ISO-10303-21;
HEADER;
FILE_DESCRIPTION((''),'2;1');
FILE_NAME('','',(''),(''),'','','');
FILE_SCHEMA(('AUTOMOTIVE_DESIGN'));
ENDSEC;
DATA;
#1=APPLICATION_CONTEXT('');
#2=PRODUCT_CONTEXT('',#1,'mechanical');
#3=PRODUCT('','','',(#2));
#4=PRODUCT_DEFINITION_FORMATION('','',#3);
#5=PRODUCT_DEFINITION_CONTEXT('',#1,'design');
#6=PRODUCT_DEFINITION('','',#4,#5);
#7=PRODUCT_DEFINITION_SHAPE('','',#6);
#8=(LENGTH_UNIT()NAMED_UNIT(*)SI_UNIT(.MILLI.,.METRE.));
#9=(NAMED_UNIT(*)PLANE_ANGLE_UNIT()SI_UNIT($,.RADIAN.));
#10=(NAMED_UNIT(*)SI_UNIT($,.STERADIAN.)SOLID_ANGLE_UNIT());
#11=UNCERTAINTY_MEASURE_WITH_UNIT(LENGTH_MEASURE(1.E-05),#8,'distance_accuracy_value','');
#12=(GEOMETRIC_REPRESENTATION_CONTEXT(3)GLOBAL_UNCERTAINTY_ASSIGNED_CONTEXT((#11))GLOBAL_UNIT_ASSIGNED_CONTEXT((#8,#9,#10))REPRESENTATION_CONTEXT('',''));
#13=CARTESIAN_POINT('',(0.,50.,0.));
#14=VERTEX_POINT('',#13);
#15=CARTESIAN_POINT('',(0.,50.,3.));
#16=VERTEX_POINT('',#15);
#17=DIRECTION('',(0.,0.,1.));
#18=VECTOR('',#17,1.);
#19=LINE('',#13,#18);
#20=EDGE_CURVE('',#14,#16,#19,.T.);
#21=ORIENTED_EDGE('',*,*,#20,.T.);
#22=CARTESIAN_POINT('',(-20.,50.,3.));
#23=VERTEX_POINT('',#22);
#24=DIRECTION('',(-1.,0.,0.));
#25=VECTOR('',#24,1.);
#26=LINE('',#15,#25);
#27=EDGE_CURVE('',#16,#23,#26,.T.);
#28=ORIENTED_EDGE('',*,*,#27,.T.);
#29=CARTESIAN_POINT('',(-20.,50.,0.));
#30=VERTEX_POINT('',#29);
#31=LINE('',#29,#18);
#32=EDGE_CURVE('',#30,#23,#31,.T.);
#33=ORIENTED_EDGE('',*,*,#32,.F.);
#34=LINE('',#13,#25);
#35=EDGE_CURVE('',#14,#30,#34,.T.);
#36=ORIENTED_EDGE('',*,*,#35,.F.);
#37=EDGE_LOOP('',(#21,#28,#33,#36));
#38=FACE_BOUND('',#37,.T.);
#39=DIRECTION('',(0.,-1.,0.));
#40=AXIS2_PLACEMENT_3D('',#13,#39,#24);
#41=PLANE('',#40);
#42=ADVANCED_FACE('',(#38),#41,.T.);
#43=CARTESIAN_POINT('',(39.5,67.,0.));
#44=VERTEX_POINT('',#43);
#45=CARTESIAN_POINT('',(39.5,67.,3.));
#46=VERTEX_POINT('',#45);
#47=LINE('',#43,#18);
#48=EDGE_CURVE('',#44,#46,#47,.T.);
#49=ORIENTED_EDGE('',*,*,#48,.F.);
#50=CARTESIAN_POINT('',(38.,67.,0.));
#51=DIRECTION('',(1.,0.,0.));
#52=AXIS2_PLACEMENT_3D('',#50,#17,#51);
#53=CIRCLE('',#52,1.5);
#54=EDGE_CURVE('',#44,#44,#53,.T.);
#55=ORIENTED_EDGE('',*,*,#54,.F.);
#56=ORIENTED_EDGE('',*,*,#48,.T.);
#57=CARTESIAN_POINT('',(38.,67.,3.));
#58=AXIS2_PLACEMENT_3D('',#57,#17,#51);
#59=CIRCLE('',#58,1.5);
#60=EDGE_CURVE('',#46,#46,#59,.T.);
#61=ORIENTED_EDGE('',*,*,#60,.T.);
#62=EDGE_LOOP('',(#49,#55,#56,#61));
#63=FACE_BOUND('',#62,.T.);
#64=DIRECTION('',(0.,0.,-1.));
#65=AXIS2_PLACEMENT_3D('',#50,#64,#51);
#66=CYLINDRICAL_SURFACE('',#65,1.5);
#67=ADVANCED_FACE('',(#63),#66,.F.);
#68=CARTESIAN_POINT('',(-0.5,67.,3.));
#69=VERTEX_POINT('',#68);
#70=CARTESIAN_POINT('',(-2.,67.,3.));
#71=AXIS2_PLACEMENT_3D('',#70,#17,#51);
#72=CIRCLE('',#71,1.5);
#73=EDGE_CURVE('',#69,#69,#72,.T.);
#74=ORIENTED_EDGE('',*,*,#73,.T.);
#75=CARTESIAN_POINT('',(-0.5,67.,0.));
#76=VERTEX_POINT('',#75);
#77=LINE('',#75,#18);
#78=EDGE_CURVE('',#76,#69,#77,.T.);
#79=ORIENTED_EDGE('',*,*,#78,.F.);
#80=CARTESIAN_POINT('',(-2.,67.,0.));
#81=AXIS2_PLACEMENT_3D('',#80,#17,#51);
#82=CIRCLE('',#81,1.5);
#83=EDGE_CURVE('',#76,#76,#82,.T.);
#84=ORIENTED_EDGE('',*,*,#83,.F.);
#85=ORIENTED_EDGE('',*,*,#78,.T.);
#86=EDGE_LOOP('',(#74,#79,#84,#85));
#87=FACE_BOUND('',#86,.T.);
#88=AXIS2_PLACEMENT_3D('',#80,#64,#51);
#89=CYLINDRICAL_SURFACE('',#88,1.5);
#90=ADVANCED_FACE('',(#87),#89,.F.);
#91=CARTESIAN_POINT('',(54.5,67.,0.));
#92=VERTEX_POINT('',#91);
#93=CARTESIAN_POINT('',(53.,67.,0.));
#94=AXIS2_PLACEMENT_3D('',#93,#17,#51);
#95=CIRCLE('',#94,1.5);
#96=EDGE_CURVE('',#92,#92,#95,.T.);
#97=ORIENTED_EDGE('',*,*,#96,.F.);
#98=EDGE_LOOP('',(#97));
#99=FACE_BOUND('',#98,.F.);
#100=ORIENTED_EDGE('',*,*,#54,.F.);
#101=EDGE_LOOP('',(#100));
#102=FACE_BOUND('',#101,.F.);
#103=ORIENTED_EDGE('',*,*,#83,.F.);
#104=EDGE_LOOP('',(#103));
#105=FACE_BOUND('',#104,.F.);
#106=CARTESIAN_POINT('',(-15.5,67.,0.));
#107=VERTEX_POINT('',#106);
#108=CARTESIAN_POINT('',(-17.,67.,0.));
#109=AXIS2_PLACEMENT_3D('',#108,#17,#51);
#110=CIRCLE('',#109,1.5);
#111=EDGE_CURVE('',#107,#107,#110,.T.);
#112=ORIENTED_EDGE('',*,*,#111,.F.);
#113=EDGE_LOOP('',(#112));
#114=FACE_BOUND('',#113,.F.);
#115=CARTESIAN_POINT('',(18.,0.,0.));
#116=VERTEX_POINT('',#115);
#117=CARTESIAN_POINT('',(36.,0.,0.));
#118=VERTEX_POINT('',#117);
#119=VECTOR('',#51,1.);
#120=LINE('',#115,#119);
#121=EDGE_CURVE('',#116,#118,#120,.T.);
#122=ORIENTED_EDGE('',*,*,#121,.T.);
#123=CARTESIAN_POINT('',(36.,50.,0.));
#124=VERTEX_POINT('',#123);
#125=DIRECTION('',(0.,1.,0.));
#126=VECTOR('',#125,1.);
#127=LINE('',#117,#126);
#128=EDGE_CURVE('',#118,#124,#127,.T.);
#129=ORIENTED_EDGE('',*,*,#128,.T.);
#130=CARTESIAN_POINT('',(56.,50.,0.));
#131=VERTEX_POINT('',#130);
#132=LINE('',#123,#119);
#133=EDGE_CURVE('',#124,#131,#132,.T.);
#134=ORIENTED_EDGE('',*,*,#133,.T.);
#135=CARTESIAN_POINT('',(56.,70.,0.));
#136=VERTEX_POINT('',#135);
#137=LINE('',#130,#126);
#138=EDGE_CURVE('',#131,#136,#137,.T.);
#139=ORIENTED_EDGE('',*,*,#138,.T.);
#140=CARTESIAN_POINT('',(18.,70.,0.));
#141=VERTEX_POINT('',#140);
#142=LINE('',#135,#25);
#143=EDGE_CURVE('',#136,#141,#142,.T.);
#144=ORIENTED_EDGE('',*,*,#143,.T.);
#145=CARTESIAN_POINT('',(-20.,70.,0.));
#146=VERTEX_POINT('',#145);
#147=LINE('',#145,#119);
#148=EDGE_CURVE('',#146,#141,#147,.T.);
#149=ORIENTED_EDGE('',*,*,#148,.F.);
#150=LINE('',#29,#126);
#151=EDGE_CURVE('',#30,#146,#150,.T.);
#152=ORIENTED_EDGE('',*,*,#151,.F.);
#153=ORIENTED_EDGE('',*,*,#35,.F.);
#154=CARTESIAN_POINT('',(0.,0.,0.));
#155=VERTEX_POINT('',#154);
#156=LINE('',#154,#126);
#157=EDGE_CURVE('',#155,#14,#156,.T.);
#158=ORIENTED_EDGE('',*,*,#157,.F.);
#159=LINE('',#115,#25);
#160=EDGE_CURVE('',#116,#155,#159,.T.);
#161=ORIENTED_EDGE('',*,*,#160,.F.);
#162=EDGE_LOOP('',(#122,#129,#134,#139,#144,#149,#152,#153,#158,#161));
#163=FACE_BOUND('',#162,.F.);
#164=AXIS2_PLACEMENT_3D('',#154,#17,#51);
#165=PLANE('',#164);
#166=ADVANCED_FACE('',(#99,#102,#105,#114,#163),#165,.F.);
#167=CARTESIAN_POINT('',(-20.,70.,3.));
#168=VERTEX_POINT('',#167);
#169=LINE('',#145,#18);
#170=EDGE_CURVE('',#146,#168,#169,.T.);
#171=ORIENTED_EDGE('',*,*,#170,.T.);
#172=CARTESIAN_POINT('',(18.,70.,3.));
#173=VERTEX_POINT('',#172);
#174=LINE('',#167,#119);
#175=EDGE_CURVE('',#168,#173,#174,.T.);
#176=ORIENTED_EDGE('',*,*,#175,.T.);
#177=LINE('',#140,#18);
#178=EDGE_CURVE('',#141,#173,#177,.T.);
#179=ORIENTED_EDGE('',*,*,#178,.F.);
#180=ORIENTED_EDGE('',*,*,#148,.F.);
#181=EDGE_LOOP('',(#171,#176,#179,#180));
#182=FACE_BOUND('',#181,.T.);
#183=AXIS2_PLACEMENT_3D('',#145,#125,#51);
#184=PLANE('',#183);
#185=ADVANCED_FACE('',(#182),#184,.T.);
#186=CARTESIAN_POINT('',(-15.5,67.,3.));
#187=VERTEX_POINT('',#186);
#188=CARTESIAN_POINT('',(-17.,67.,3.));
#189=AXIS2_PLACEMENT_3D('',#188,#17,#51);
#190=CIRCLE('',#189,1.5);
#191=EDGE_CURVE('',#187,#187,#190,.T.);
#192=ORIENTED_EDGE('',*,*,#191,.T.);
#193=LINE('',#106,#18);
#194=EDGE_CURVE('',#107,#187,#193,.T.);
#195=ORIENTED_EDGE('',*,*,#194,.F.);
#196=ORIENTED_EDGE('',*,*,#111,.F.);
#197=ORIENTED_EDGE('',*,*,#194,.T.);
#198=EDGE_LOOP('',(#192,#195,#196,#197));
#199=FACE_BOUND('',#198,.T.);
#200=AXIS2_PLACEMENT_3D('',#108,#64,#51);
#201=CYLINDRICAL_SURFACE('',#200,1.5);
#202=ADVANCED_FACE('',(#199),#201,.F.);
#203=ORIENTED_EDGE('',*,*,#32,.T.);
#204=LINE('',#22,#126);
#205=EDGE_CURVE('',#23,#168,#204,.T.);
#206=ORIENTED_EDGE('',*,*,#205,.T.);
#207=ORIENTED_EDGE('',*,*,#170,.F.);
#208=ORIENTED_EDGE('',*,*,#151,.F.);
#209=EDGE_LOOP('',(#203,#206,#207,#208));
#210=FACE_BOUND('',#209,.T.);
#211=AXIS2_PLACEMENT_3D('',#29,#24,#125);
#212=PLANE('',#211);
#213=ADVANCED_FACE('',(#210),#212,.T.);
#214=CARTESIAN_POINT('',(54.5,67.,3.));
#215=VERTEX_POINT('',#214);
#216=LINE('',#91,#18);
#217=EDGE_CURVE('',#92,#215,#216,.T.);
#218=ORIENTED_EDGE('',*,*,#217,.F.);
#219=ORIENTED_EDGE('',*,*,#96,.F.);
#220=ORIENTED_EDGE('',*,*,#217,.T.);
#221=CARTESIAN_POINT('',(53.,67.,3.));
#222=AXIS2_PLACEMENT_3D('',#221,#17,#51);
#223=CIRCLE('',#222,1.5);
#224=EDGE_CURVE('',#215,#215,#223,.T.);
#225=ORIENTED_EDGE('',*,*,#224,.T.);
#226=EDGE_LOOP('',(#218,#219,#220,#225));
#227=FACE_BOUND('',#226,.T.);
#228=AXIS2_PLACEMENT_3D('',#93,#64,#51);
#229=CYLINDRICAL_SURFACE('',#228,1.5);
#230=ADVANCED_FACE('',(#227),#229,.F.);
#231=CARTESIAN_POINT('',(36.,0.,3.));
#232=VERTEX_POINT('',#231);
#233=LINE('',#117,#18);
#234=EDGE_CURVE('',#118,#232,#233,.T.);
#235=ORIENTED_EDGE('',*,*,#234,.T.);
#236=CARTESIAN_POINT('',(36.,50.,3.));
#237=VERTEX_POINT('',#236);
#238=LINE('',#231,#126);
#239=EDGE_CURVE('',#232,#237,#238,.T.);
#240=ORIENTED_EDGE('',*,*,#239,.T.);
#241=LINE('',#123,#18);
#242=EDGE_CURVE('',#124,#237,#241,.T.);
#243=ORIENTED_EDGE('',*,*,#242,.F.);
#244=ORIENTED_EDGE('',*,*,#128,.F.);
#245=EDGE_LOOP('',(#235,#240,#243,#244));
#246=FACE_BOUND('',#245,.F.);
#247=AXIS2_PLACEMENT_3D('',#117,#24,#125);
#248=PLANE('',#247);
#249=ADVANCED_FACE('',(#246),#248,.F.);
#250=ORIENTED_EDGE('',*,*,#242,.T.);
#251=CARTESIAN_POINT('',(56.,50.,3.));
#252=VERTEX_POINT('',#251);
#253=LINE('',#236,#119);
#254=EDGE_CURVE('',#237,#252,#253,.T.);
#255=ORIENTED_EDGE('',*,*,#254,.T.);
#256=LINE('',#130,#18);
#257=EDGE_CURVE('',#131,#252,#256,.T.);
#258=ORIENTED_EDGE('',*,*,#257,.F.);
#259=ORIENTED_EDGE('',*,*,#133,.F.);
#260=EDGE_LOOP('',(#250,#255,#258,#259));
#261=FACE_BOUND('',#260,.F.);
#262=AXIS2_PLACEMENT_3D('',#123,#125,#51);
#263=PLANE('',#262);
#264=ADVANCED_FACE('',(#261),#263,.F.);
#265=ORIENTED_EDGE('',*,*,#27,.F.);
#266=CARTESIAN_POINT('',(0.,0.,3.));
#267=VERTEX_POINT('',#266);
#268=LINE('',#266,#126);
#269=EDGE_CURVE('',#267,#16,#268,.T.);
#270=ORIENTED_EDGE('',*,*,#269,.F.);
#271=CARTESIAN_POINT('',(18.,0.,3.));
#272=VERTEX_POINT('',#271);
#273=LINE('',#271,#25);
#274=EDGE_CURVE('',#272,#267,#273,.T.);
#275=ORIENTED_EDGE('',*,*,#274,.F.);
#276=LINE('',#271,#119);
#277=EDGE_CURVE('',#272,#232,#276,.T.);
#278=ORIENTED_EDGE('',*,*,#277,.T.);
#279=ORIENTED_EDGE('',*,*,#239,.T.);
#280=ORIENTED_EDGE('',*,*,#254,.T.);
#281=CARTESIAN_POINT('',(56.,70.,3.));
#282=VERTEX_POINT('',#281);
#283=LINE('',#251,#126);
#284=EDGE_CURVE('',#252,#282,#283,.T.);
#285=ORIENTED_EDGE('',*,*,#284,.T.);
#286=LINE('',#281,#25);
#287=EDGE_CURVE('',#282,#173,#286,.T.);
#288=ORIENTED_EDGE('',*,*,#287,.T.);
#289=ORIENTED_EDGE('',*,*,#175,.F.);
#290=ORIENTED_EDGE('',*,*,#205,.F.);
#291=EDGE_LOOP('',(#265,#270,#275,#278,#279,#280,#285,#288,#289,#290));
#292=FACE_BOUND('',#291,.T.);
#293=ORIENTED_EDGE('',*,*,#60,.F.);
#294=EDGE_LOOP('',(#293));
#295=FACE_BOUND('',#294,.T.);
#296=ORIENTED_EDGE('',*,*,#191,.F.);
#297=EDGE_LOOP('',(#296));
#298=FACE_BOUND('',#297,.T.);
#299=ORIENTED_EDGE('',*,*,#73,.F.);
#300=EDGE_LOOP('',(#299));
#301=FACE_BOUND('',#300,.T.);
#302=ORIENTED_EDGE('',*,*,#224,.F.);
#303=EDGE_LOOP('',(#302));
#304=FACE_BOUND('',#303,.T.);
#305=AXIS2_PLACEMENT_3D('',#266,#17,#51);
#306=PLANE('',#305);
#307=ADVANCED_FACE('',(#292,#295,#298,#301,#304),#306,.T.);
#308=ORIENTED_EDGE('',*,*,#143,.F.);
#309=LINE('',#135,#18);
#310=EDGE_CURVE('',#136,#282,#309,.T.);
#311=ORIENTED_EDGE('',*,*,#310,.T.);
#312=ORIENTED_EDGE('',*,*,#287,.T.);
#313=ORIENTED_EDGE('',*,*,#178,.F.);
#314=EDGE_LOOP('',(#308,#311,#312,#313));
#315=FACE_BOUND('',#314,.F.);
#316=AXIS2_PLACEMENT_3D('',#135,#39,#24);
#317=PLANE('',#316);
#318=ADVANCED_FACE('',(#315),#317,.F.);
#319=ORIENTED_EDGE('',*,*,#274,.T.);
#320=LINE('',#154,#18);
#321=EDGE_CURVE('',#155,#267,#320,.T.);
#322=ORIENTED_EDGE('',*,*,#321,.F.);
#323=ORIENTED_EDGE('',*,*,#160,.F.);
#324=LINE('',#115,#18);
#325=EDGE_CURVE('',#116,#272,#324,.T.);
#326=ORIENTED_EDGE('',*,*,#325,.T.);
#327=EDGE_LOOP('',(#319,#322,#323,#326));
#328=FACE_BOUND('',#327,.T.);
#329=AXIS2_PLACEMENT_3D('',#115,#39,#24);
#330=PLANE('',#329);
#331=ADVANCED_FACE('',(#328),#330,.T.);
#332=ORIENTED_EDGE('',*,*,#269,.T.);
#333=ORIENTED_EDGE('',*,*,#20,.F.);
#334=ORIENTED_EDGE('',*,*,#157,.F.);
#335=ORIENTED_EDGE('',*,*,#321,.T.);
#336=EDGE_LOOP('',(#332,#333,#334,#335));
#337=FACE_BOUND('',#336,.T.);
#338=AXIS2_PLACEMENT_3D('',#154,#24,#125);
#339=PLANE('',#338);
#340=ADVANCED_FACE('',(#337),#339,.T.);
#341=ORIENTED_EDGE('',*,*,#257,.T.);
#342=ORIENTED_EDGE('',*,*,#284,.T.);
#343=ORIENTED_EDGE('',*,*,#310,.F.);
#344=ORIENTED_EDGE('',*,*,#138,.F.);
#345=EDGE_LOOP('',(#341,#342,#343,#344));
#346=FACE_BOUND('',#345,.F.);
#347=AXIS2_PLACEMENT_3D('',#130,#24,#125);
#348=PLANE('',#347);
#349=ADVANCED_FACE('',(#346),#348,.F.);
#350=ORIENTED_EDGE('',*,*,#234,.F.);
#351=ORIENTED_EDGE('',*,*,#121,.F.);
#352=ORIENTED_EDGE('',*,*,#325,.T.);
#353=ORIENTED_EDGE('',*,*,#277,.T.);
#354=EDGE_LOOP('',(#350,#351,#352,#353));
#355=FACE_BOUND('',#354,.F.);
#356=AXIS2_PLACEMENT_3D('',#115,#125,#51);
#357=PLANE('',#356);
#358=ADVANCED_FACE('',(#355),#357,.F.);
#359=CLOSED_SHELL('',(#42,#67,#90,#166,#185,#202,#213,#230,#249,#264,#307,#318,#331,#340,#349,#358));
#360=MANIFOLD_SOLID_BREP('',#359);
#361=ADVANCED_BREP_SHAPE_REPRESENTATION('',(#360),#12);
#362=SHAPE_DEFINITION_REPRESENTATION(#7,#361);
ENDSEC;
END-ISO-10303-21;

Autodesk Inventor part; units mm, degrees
ref_plane "YZ Plane" through (0, 0, 0) normal (1, 0, 0) x (0, 1, 0)
ref_plane "XZ Plane" through (0, 0, 0) normal (0, 1, 0) x (-1, 0, 0)
ref_plane "XY Plane" through (0, 0, 0) normal (0, 0, 1) x (1, 0, 0)
sketch "Sketch1" plane through (0, 0, 0) normal (0, 0, 1) x (1, 0, 0)
  line L0 (0, 0) -> (0, 50)
  line L1 (0, 50) -> (-20, 50)
  line L2 (-20, 50) -> (-20, 70)
  line L3 (-20, 70) -> (18, 70)
  line L4 (18, 70) -> (18, 0) construction
  line L5 (18, 0) -> (0, 0)
  line L6 (36, 0) -> (36, 50)
  line L7 (36, 50) -> (56, 50)
  line L8 (56, 50) -> (56, 70)
  line L9 (56, 70) -> (18, 70)
  line L10 (18, 0) -> (36, 0)
  circle A0 centre (-17, 67) radius 1.5
  circle A1 centre (-2, 67) radius 1.5
  circle A2 centre (53, 67) radius 1.5
  circle A3 centre (38, 67) radius 1.5
  line L11 (-17, 67) -> (-20, 67) construction
  dimension "d1" = 20
  dimension "d2" = 20
  dimension "d3" = 36
  dimension "d4" = 70
  dimension "d5" = 3
  dimension "d6" = 3
  dimension "d7" = 15
  dimension "d8" = 3
  dimension "d9" = 3
extrude "Extrusion1" add sketch "Sketch1" along normal blind 3
properties part number "rotator_support"
